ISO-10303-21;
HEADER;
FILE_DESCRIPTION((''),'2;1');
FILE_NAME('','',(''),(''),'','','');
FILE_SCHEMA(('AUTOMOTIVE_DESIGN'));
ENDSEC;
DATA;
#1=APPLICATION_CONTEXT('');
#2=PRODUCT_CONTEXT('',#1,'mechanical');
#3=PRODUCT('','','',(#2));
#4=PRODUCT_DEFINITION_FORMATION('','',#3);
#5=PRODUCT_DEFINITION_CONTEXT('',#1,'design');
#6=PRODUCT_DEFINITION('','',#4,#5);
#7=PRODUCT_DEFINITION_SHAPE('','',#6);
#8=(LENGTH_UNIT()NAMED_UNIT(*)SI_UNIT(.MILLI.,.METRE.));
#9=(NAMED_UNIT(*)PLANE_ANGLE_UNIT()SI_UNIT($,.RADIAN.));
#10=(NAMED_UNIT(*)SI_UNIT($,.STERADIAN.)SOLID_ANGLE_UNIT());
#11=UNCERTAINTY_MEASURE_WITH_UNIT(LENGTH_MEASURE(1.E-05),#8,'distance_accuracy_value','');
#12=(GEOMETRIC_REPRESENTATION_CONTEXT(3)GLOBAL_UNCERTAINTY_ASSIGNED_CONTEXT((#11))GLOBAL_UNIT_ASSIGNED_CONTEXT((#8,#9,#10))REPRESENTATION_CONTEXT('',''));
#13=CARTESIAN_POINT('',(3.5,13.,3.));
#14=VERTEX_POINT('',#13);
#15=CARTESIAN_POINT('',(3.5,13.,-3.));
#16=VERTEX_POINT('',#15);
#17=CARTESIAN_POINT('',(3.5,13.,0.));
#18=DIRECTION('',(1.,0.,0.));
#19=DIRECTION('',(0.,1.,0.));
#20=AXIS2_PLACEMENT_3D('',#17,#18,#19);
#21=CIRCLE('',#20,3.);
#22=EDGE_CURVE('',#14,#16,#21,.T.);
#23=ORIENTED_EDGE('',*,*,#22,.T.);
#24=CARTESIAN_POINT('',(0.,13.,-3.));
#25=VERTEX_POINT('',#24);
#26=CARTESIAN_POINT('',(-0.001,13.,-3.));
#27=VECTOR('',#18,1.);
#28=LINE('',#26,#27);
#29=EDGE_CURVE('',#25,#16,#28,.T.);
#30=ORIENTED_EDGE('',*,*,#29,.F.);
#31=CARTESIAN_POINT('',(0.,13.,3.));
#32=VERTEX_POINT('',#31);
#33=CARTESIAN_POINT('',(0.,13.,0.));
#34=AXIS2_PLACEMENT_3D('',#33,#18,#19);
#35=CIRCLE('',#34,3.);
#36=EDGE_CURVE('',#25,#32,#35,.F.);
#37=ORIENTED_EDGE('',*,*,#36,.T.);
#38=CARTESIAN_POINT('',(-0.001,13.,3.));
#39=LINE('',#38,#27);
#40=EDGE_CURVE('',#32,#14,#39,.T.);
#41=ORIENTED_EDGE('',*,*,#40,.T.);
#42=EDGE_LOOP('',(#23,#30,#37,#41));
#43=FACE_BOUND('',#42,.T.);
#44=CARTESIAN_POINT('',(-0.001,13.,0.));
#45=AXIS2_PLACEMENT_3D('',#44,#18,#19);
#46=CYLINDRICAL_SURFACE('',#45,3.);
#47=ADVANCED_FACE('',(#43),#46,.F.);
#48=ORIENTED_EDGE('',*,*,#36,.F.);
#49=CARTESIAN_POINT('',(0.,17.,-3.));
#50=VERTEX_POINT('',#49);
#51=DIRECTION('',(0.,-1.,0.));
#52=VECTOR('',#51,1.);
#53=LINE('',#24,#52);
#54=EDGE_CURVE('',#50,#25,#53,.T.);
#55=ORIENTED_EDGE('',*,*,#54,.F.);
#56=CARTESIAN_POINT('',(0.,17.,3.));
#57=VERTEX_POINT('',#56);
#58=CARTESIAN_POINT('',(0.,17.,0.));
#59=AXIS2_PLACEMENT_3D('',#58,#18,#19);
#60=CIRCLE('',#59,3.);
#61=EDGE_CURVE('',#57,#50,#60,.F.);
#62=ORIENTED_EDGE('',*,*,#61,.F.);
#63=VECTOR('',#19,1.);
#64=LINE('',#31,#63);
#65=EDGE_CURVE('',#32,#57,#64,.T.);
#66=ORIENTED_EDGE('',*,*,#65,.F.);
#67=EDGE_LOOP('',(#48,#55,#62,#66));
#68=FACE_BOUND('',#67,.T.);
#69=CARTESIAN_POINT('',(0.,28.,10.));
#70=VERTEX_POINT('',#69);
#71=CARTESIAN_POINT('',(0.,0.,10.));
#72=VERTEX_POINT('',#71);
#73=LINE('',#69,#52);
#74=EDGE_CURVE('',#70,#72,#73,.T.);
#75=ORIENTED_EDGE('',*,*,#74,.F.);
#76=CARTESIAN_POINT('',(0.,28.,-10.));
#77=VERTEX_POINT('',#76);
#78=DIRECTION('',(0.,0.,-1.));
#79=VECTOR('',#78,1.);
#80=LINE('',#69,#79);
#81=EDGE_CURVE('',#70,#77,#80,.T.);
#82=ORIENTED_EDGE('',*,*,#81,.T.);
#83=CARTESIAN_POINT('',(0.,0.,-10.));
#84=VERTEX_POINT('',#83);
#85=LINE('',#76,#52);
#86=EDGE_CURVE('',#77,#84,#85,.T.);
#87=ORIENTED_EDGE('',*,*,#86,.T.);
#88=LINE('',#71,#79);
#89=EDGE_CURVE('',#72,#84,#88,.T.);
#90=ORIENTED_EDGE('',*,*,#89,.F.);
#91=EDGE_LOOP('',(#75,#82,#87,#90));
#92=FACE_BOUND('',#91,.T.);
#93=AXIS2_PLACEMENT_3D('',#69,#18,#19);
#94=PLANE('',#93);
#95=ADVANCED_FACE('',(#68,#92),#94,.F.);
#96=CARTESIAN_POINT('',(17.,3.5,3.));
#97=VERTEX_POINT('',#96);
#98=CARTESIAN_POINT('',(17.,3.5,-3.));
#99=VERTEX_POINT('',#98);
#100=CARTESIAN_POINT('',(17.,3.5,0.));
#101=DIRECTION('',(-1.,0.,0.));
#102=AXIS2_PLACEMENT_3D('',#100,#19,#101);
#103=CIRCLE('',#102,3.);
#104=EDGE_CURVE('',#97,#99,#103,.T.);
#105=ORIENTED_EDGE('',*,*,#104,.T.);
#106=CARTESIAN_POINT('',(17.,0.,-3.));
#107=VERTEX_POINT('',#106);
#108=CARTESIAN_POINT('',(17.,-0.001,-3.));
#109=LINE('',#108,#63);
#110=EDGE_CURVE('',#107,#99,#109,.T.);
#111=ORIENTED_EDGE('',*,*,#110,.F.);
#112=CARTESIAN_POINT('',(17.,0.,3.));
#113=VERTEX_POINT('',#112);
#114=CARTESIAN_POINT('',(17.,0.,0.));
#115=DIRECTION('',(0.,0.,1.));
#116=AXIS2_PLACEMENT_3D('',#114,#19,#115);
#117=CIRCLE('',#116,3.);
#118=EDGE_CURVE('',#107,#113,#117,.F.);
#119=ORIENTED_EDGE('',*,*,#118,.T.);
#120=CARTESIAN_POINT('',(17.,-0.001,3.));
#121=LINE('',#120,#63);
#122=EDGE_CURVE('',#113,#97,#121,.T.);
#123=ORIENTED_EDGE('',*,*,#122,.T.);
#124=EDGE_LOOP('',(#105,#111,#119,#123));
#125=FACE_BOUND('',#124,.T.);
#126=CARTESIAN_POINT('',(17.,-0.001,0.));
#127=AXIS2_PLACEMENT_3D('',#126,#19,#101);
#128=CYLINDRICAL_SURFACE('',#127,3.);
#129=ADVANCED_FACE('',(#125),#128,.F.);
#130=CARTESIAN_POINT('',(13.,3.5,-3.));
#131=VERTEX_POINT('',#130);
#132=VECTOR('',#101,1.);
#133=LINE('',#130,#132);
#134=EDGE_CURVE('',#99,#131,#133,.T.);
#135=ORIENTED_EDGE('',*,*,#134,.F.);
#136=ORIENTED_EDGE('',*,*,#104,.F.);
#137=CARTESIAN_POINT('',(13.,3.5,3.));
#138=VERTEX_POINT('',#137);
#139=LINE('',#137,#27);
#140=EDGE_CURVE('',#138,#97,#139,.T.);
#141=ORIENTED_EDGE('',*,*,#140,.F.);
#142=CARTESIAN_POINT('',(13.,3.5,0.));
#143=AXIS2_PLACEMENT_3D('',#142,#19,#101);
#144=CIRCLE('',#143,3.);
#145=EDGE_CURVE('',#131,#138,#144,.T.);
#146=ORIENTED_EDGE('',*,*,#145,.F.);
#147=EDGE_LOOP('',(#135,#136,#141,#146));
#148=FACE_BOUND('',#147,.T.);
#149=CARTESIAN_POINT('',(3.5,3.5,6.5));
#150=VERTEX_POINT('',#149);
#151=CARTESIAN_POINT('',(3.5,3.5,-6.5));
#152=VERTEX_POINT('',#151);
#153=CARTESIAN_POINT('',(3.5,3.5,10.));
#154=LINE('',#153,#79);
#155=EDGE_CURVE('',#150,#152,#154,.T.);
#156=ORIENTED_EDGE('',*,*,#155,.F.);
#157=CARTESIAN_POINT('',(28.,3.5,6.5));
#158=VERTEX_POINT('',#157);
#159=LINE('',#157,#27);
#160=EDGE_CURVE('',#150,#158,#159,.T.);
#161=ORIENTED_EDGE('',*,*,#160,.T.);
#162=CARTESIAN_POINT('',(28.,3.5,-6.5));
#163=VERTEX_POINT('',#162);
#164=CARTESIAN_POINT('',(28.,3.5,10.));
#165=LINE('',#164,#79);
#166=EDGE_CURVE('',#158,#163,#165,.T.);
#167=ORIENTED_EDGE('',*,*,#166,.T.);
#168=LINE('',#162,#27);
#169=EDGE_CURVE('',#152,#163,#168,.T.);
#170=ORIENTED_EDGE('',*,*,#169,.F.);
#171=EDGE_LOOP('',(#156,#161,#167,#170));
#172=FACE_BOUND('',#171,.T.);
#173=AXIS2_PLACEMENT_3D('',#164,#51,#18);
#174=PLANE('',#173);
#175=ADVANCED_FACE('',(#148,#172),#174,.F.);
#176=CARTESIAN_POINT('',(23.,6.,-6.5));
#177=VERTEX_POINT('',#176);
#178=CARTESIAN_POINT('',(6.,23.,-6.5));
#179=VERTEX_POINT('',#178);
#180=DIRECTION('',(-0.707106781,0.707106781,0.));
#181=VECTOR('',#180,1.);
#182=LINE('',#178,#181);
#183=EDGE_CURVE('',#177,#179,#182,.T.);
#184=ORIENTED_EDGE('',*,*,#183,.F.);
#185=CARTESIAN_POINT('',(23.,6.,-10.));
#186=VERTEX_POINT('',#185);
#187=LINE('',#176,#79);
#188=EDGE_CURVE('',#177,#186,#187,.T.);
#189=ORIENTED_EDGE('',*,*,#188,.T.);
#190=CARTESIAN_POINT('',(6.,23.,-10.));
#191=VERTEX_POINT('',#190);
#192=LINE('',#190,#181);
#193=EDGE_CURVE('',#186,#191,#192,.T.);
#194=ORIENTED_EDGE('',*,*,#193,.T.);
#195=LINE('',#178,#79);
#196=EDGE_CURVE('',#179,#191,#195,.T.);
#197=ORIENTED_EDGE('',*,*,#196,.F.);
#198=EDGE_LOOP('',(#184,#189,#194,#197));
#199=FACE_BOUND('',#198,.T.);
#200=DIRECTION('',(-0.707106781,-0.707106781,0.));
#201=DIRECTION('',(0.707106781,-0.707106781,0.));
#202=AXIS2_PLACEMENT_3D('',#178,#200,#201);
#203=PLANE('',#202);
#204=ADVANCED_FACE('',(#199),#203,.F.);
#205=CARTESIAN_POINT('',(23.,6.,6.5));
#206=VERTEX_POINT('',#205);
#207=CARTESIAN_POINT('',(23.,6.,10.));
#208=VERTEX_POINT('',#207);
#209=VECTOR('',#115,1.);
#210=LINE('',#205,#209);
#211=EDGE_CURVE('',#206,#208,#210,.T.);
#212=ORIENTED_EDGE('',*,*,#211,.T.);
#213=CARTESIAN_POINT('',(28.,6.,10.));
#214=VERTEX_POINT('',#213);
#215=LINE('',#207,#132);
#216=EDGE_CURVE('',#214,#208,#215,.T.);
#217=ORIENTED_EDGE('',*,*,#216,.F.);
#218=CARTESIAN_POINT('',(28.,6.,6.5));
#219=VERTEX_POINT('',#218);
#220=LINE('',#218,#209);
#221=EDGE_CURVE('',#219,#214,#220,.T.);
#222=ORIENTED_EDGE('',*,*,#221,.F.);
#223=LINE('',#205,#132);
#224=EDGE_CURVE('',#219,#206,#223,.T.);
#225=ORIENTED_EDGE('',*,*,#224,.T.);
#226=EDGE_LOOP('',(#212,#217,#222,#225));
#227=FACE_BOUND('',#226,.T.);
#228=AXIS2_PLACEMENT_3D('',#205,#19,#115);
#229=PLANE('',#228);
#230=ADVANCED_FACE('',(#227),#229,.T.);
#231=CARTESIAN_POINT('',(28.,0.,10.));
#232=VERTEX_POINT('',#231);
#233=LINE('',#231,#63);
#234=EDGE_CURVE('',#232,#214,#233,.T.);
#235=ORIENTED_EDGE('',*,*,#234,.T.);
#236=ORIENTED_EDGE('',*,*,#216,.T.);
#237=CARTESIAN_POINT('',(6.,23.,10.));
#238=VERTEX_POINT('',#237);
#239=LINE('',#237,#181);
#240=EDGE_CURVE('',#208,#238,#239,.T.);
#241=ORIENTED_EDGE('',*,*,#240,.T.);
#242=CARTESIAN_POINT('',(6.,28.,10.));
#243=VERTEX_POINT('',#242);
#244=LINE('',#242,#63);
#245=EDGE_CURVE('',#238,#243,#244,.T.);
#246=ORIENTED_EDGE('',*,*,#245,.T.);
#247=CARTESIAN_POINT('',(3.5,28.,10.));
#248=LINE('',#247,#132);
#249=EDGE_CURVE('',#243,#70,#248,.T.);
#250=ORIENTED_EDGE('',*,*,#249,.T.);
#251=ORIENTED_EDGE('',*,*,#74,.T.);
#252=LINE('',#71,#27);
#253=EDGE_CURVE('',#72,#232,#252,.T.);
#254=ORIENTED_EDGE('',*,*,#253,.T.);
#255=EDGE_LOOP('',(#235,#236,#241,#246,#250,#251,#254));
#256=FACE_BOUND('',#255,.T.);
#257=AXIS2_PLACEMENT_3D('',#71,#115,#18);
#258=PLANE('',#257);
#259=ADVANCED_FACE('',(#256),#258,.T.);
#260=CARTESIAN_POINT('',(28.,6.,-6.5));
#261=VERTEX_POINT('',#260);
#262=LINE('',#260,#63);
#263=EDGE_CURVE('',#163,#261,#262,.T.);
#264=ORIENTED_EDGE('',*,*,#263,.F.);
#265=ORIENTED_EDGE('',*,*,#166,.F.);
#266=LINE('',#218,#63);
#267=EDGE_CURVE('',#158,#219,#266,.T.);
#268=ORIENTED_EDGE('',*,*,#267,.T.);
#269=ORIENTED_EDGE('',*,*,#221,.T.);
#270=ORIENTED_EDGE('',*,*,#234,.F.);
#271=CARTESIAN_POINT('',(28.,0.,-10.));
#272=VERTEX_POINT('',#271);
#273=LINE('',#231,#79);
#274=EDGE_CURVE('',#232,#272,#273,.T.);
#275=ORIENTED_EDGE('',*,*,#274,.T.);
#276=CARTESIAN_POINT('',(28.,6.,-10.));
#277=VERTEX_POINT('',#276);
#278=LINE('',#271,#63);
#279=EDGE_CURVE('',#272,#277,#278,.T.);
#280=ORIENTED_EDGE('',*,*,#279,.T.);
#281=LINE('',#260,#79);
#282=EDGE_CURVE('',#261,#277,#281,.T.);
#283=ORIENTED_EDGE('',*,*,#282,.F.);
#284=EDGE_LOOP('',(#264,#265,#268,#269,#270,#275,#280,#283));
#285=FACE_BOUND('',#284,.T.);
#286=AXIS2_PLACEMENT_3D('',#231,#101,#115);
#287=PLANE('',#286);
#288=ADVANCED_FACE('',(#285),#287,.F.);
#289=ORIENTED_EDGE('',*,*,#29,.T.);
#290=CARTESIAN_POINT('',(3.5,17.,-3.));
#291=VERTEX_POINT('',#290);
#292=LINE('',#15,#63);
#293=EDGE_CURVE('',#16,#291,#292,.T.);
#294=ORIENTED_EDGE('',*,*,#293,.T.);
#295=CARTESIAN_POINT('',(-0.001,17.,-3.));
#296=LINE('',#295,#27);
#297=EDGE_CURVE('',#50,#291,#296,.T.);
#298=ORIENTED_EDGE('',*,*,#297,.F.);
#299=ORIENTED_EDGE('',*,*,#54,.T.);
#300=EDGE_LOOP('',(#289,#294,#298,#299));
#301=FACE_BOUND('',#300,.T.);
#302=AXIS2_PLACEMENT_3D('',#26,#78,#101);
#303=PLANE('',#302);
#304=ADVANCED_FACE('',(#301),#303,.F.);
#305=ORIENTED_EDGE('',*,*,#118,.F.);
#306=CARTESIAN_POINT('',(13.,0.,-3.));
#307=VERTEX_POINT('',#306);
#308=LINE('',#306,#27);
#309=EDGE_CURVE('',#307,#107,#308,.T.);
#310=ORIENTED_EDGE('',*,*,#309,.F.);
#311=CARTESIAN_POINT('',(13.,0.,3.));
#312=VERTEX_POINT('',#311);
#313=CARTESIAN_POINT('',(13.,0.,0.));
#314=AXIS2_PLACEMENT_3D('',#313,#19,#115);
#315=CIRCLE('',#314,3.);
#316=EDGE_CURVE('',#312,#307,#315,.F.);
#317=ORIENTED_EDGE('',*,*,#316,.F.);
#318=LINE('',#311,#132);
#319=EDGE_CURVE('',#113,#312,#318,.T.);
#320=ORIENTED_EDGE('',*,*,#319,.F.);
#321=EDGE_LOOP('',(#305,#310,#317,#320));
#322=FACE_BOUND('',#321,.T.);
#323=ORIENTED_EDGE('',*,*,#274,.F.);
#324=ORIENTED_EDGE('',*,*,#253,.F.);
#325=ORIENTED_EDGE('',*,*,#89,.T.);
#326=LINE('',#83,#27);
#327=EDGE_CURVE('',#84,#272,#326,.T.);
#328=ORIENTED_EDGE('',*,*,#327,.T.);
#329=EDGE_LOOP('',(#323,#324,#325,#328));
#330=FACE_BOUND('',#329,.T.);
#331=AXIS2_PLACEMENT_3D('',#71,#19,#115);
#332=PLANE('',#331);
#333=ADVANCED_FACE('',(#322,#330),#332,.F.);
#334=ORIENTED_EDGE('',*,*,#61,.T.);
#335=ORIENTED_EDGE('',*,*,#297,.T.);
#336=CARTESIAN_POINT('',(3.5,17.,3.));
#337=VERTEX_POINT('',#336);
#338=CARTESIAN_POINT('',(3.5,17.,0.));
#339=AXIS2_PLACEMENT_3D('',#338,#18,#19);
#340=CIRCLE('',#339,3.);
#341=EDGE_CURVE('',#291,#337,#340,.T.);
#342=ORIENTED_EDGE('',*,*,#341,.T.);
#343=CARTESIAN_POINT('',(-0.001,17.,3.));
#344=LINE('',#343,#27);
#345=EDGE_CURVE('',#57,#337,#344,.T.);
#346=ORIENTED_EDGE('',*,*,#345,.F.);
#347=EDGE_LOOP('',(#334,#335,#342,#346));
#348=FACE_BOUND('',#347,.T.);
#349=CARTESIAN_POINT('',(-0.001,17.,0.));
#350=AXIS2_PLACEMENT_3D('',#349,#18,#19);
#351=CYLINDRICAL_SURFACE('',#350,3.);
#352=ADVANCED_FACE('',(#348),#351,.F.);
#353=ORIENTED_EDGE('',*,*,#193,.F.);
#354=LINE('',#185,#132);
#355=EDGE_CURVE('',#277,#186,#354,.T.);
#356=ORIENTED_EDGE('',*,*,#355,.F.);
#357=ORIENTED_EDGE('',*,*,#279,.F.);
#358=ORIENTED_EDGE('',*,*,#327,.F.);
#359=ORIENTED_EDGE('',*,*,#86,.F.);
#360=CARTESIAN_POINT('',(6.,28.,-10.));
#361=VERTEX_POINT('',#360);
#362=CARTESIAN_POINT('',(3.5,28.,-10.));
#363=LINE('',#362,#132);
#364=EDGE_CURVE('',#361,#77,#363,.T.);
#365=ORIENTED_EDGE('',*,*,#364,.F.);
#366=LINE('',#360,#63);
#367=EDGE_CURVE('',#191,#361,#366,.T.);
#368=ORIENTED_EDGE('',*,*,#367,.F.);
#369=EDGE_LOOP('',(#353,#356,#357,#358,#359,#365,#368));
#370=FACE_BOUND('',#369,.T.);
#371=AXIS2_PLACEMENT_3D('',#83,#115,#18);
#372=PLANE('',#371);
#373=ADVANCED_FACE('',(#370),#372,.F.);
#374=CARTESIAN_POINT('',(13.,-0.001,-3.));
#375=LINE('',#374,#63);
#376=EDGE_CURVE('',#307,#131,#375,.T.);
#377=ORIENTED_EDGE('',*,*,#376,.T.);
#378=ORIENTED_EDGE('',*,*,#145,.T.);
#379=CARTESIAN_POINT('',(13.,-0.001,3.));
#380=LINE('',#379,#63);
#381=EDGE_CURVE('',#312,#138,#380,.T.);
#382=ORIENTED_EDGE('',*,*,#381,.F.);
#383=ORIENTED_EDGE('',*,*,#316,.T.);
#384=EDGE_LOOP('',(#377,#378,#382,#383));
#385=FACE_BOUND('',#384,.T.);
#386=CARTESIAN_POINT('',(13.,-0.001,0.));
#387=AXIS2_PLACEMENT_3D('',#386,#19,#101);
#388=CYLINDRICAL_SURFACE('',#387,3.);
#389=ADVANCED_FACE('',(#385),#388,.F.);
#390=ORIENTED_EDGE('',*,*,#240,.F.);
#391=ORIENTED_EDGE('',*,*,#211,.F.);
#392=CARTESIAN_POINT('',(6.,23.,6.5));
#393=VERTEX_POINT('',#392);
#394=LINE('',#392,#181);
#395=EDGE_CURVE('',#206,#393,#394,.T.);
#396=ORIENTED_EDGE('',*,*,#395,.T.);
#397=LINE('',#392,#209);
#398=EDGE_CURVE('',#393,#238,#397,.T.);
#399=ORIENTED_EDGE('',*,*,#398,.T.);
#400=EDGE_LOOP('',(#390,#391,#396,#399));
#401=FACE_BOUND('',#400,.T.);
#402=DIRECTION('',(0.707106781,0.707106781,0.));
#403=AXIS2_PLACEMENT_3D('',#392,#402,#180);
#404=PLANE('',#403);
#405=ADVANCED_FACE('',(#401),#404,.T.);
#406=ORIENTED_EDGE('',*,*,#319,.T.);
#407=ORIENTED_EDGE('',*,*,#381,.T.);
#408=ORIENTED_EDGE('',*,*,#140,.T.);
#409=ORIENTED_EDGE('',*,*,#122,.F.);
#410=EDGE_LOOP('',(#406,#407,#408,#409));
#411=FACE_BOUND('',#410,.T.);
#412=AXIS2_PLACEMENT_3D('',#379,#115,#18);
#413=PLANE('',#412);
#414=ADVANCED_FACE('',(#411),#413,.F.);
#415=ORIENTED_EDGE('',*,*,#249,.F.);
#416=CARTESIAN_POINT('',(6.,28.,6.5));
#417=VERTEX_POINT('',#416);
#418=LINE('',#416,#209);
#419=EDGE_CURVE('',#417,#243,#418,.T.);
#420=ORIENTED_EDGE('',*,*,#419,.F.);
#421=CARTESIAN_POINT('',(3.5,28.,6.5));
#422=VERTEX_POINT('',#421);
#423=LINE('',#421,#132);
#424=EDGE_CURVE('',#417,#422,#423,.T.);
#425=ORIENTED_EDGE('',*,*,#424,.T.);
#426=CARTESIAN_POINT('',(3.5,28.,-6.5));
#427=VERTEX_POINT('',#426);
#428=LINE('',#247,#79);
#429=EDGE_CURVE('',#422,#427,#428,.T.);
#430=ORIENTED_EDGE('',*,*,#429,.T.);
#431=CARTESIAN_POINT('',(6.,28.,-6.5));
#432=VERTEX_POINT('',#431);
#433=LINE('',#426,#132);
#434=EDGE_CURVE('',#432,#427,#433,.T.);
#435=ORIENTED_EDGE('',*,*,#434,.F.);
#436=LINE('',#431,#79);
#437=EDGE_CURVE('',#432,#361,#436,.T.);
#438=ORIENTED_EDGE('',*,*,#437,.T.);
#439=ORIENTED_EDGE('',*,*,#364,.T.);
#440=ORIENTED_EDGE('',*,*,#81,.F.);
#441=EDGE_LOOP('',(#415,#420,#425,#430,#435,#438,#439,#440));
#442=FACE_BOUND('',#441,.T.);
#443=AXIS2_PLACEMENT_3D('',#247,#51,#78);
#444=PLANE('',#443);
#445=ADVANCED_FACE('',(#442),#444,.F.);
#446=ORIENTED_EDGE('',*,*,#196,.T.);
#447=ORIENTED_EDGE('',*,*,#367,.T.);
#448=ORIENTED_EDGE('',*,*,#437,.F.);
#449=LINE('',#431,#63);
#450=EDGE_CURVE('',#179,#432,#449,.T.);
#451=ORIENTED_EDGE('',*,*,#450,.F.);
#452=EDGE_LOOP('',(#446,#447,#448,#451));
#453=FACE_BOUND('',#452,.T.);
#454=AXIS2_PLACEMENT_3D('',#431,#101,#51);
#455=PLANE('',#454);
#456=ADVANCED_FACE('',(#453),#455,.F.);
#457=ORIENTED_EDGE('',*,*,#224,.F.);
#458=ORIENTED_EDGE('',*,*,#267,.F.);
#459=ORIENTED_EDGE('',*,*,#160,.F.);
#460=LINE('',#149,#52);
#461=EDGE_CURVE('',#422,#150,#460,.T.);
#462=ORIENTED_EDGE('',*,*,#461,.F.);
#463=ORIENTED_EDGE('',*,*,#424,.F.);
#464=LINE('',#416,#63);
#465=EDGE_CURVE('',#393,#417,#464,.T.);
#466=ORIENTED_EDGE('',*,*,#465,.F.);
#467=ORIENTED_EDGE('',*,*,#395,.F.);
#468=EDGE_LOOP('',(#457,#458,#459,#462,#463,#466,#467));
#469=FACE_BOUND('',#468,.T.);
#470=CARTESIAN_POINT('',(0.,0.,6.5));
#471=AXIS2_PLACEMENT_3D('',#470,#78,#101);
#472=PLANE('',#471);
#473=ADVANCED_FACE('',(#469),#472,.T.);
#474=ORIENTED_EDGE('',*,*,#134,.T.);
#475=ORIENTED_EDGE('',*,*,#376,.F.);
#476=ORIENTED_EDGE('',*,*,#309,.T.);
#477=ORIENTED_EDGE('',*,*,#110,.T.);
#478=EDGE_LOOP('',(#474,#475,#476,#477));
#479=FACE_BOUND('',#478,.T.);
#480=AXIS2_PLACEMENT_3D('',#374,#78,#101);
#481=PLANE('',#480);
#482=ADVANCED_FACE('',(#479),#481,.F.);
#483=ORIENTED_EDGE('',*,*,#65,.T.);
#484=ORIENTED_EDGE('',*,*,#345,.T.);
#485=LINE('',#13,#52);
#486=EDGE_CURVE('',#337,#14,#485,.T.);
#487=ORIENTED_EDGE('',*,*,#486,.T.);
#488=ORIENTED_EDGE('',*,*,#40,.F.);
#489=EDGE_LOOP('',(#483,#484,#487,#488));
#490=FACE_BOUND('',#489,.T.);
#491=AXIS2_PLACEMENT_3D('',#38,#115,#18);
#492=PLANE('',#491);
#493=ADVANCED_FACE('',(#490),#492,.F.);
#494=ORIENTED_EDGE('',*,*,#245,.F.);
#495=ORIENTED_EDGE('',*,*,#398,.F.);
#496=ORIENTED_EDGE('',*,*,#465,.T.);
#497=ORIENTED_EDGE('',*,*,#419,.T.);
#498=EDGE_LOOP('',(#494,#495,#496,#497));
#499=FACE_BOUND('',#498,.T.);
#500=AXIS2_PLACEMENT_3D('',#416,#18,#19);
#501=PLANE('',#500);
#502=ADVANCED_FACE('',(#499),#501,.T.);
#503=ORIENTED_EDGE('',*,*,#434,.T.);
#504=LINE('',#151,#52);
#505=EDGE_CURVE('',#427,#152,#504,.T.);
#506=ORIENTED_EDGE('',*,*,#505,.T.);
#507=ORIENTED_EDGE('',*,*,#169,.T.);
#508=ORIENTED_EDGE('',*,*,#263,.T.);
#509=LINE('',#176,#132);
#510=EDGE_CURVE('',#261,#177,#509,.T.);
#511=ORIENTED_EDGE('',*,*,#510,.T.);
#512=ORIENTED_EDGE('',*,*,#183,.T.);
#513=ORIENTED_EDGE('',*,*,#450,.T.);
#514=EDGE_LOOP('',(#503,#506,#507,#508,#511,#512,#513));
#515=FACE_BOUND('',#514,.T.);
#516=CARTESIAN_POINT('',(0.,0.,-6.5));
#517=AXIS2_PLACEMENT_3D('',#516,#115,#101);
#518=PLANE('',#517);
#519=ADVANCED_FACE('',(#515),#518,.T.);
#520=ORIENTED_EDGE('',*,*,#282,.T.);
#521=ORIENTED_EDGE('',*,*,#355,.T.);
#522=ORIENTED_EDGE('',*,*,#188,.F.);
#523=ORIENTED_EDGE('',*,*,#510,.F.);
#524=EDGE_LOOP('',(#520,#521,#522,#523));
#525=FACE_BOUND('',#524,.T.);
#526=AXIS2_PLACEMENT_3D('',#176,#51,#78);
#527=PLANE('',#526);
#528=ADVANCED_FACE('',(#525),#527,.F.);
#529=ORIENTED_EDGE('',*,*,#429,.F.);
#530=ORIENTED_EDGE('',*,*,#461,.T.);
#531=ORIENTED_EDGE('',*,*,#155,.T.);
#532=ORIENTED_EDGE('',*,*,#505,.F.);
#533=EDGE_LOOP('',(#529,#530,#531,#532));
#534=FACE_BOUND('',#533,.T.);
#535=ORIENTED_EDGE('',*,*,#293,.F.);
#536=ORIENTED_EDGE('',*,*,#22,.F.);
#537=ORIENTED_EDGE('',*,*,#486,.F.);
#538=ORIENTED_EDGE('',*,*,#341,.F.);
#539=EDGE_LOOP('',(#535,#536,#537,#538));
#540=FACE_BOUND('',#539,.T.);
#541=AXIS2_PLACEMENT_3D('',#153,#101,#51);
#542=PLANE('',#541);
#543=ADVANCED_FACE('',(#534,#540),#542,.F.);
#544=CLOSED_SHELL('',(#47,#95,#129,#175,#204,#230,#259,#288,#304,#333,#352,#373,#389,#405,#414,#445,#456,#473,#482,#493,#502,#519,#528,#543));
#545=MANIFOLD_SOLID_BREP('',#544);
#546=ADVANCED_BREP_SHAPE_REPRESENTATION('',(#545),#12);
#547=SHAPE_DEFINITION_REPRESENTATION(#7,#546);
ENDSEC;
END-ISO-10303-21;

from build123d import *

# Parameters (mm, degrees)
BOSS_EXTRUDE1_DEPTH = 10
BOSS_EXTRUDE2_DEPTH = 3.5
CUT_EXTRUDE1_REACH  = 40.526
CUT_EXTRUDE2_REACH  = 40.526


with BuildPart() as part:
    # Sketch1 → Boss-Extrude1 (new, symmetric)
    with BuildSketch(Plane.XY):
        Polygon((0, 28), (0, 0), (28, 0), (28, 3.5), (3.5, 3.5), (3.5, 28), align=None)
    extrude(amount=BOSS_EXTRUDE1_DEPTH, both=True)

    # Sketch2 → Boss-Extrude2 (add)
    with BuildSketch(Plane.XY.offset(10)):
        Polygon((3.5, 28), (6, 28), (6, 23), (23, 6), (28, 6), (28, 3.5), (3.5, 3.5), align=None)
    boss_extrude2 = extrude(amount=-BOSS_EXTRUDE2_DEPTH)

    # Mirror1: Boss-Extrude2 across plane
    add(boss_extrude2.mirror(Plane.XY))

    # Sketch3 → Cut-Extrude1 (cut, up to next)
    with BuildSketch(Plane(origin=(0, 3.5, 0), x_dir=(1, 0, 0), z_dir=(0, 1, 0)), mode=Mode.PRIVATE) as cut_extrude1_sk1:
        with BuildLine():
            Line((13, 3), (17, 3))
            ThreePointArc((17, 3), (20, 0), (17, -3))
            Line((17, -3), (13, -3))
            ThreePointArc((13, -3), (10, 0), (13, 3))
        make_face()
    cut_extrude1_tool1 = extrude(cut_extrude1_sk1.sketch, amount=-CUT_EXTRUDE1_REACH, mode=Mode.PRIVATE) & part.part
    add(cut_extrude1_tool1.solids().sort_by_distance((15, 3.5, 0))[0], mode=Mode.SUBTRACT)

    # Sketch4 → Cut-Extrude2 (cut, up to next)
    with BuildSketch(Plane(origin=(3.5, 0, 0), x_dir=(0, 0, -1), z_dir=(1, 0, 0)), mode=Mode.PRIVATE) as cut_extrude2_sk1:
        with BuildLine():
            Line((-3, 13), (-3, 17))
            ThreePointArc((-3, 17), (0, 20), (3, 17))
            Line((3, 17), (3, 13))
            ThreePointArc((3, 13), (0, 10), (-3, 13))
        make_face()
    cut_extrude2_tool1 = extrude(cut_extrude2_sk1.sketch, amount=-CUT_EXTRUDE2_REACH, mode=Mode.PRIVATE) & part.part
    add(cut_extrude2_tool1.solids().sort_by_distance((3.5, 15, 0))[0], mode=Mode.SUBTRACT)


solid = part.part
